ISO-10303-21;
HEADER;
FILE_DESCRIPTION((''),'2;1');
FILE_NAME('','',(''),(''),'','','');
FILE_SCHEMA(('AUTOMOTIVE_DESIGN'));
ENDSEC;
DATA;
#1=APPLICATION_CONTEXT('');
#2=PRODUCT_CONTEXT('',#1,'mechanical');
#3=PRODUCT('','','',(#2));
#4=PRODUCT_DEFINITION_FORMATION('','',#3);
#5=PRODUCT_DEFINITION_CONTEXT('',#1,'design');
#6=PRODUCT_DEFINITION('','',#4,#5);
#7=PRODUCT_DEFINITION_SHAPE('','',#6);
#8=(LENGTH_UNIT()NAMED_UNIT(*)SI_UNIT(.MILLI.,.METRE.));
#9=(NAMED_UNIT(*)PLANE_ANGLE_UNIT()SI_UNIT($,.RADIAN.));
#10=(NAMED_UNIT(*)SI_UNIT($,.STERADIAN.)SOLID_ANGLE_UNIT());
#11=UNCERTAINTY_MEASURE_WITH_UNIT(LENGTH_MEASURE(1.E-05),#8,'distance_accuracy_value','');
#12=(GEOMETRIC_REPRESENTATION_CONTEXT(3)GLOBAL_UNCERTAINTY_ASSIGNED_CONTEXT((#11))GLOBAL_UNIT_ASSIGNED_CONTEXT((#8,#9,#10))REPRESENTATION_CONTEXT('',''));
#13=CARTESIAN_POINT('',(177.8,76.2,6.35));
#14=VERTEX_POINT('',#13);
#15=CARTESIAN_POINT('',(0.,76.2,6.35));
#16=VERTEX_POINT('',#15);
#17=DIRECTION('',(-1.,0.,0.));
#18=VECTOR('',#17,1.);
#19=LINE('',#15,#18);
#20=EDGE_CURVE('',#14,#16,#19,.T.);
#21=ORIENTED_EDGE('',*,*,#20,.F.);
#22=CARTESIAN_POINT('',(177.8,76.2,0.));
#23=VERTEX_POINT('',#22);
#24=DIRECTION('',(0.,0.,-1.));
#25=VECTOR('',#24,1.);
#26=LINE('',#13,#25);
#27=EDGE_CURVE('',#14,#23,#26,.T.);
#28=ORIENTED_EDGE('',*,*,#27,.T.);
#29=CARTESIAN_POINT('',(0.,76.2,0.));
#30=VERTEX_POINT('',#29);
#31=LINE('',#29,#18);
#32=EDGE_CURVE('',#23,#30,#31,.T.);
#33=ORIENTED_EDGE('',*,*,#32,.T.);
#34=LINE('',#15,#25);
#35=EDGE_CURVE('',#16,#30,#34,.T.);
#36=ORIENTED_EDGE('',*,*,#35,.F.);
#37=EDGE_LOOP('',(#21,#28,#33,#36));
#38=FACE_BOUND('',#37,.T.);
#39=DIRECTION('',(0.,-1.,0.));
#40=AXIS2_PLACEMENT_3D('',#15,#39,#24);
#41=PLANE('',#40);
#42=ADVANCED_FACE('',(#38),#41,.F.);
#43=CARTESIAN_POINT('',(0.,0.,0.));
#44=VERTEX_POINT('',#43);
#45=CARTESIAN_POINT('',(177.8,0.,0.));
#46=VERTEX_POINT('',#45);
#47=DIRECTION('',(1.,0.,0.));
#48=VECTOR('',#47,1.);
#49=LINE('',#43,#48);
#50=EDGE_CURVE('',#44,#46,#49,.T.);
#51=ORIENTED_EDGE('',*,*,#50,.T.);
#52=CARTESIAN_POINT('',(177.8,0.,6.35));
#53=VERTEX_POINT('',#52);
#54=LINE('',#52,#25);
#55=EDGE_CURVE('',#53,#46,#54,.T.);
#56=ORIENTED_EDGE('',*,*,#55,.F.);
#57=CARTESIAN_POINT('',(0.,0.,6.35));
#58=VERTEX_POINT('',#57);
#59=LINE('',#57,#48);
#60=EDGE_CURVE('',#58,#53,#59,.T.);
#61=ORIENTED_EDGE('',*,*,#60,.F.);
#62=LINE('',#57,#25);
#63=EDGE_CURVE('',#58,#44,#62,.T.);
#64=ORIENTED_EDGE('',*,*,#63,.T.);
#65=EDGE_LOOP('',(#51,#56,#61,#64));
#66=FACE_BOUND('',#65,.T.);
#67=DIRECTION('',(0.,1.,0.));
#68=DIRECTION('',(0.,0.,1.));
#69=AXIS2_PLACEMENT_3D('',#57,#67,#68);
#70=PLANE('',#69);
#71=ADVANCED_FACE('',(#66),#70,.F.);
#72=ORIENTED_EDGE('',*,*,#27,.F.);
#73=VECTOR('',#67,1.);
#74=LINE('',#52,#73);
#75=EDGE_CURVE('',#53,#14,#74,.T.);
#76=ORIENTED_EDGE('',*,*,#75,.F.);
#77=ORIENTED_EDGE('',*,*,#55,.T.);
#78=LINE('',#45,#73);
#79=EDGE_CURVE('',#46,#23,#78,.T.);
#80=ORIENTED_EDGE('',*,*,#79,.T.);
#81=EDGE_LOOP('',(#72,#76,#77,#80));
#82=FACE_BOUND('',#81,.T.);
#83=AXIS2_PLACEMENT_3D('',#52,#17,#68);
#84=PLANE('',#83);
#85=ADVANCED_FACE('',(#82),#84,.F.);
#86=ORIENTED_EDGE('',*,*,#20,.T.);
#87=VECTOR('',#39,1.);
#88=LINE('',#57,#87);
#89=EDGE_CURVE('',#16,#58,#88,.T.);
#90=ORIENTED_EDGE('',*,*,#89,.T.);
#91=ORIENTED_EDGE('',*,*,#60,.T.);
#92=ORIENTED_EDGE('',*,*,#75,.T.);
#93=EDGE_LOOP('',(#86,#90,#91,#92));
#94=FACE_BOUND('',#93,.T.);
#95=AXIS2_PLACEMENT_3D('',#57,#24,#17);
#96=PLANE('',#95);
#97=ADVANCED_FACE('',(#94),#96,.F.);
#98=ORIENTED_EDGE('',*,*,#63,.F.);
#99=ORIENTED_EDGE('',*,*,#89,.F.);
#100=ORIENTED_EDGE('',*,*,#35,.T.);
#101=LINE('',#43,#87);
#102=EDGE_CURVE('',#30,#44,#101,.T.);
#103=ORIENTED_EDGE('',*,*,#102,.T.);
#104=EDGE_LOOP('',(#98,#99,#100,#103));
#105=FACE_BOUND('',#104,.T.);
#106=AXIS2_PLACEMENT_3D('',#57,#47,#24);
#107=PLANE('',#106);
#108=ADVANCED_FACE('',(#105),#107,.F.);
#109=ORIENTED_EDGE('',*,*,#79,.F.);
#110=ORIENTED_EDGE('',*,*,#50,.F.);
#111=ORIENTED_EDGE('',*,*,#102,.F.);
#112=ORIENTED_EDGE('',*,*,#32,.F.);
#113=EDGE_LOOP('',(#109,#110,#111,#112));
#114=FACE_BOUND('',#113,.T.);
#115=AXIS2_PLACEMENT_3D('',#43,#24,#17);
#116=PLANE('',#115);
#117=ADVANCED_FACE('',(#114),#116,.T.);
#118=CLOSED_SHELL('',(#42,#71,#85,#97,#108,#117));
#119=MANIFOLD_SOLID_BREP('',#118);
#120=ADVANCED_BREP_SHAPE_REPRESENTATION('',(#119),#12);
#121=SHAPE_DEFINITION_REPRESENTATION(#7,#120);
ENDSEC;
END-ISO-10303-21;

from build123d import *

# Parameters (mm, degrees)
SKETCH1_W           = 177.8
SKETCH1_H           = 76.2
BOSS_EXTRUDE1_DEPTH = 6.35


with BuildPart() as part:
    # Sketch1 → Boss-Extrude1 (new body)
    with BuildSketch(Plane.XY):
        with Locations((88.9, 38.1)):
            Rectangle(SKETCH1_W, SKETCH1_H)
    extrude(amount=BOSS_EXTRUDE1_DEPTH)


solid = part.part
